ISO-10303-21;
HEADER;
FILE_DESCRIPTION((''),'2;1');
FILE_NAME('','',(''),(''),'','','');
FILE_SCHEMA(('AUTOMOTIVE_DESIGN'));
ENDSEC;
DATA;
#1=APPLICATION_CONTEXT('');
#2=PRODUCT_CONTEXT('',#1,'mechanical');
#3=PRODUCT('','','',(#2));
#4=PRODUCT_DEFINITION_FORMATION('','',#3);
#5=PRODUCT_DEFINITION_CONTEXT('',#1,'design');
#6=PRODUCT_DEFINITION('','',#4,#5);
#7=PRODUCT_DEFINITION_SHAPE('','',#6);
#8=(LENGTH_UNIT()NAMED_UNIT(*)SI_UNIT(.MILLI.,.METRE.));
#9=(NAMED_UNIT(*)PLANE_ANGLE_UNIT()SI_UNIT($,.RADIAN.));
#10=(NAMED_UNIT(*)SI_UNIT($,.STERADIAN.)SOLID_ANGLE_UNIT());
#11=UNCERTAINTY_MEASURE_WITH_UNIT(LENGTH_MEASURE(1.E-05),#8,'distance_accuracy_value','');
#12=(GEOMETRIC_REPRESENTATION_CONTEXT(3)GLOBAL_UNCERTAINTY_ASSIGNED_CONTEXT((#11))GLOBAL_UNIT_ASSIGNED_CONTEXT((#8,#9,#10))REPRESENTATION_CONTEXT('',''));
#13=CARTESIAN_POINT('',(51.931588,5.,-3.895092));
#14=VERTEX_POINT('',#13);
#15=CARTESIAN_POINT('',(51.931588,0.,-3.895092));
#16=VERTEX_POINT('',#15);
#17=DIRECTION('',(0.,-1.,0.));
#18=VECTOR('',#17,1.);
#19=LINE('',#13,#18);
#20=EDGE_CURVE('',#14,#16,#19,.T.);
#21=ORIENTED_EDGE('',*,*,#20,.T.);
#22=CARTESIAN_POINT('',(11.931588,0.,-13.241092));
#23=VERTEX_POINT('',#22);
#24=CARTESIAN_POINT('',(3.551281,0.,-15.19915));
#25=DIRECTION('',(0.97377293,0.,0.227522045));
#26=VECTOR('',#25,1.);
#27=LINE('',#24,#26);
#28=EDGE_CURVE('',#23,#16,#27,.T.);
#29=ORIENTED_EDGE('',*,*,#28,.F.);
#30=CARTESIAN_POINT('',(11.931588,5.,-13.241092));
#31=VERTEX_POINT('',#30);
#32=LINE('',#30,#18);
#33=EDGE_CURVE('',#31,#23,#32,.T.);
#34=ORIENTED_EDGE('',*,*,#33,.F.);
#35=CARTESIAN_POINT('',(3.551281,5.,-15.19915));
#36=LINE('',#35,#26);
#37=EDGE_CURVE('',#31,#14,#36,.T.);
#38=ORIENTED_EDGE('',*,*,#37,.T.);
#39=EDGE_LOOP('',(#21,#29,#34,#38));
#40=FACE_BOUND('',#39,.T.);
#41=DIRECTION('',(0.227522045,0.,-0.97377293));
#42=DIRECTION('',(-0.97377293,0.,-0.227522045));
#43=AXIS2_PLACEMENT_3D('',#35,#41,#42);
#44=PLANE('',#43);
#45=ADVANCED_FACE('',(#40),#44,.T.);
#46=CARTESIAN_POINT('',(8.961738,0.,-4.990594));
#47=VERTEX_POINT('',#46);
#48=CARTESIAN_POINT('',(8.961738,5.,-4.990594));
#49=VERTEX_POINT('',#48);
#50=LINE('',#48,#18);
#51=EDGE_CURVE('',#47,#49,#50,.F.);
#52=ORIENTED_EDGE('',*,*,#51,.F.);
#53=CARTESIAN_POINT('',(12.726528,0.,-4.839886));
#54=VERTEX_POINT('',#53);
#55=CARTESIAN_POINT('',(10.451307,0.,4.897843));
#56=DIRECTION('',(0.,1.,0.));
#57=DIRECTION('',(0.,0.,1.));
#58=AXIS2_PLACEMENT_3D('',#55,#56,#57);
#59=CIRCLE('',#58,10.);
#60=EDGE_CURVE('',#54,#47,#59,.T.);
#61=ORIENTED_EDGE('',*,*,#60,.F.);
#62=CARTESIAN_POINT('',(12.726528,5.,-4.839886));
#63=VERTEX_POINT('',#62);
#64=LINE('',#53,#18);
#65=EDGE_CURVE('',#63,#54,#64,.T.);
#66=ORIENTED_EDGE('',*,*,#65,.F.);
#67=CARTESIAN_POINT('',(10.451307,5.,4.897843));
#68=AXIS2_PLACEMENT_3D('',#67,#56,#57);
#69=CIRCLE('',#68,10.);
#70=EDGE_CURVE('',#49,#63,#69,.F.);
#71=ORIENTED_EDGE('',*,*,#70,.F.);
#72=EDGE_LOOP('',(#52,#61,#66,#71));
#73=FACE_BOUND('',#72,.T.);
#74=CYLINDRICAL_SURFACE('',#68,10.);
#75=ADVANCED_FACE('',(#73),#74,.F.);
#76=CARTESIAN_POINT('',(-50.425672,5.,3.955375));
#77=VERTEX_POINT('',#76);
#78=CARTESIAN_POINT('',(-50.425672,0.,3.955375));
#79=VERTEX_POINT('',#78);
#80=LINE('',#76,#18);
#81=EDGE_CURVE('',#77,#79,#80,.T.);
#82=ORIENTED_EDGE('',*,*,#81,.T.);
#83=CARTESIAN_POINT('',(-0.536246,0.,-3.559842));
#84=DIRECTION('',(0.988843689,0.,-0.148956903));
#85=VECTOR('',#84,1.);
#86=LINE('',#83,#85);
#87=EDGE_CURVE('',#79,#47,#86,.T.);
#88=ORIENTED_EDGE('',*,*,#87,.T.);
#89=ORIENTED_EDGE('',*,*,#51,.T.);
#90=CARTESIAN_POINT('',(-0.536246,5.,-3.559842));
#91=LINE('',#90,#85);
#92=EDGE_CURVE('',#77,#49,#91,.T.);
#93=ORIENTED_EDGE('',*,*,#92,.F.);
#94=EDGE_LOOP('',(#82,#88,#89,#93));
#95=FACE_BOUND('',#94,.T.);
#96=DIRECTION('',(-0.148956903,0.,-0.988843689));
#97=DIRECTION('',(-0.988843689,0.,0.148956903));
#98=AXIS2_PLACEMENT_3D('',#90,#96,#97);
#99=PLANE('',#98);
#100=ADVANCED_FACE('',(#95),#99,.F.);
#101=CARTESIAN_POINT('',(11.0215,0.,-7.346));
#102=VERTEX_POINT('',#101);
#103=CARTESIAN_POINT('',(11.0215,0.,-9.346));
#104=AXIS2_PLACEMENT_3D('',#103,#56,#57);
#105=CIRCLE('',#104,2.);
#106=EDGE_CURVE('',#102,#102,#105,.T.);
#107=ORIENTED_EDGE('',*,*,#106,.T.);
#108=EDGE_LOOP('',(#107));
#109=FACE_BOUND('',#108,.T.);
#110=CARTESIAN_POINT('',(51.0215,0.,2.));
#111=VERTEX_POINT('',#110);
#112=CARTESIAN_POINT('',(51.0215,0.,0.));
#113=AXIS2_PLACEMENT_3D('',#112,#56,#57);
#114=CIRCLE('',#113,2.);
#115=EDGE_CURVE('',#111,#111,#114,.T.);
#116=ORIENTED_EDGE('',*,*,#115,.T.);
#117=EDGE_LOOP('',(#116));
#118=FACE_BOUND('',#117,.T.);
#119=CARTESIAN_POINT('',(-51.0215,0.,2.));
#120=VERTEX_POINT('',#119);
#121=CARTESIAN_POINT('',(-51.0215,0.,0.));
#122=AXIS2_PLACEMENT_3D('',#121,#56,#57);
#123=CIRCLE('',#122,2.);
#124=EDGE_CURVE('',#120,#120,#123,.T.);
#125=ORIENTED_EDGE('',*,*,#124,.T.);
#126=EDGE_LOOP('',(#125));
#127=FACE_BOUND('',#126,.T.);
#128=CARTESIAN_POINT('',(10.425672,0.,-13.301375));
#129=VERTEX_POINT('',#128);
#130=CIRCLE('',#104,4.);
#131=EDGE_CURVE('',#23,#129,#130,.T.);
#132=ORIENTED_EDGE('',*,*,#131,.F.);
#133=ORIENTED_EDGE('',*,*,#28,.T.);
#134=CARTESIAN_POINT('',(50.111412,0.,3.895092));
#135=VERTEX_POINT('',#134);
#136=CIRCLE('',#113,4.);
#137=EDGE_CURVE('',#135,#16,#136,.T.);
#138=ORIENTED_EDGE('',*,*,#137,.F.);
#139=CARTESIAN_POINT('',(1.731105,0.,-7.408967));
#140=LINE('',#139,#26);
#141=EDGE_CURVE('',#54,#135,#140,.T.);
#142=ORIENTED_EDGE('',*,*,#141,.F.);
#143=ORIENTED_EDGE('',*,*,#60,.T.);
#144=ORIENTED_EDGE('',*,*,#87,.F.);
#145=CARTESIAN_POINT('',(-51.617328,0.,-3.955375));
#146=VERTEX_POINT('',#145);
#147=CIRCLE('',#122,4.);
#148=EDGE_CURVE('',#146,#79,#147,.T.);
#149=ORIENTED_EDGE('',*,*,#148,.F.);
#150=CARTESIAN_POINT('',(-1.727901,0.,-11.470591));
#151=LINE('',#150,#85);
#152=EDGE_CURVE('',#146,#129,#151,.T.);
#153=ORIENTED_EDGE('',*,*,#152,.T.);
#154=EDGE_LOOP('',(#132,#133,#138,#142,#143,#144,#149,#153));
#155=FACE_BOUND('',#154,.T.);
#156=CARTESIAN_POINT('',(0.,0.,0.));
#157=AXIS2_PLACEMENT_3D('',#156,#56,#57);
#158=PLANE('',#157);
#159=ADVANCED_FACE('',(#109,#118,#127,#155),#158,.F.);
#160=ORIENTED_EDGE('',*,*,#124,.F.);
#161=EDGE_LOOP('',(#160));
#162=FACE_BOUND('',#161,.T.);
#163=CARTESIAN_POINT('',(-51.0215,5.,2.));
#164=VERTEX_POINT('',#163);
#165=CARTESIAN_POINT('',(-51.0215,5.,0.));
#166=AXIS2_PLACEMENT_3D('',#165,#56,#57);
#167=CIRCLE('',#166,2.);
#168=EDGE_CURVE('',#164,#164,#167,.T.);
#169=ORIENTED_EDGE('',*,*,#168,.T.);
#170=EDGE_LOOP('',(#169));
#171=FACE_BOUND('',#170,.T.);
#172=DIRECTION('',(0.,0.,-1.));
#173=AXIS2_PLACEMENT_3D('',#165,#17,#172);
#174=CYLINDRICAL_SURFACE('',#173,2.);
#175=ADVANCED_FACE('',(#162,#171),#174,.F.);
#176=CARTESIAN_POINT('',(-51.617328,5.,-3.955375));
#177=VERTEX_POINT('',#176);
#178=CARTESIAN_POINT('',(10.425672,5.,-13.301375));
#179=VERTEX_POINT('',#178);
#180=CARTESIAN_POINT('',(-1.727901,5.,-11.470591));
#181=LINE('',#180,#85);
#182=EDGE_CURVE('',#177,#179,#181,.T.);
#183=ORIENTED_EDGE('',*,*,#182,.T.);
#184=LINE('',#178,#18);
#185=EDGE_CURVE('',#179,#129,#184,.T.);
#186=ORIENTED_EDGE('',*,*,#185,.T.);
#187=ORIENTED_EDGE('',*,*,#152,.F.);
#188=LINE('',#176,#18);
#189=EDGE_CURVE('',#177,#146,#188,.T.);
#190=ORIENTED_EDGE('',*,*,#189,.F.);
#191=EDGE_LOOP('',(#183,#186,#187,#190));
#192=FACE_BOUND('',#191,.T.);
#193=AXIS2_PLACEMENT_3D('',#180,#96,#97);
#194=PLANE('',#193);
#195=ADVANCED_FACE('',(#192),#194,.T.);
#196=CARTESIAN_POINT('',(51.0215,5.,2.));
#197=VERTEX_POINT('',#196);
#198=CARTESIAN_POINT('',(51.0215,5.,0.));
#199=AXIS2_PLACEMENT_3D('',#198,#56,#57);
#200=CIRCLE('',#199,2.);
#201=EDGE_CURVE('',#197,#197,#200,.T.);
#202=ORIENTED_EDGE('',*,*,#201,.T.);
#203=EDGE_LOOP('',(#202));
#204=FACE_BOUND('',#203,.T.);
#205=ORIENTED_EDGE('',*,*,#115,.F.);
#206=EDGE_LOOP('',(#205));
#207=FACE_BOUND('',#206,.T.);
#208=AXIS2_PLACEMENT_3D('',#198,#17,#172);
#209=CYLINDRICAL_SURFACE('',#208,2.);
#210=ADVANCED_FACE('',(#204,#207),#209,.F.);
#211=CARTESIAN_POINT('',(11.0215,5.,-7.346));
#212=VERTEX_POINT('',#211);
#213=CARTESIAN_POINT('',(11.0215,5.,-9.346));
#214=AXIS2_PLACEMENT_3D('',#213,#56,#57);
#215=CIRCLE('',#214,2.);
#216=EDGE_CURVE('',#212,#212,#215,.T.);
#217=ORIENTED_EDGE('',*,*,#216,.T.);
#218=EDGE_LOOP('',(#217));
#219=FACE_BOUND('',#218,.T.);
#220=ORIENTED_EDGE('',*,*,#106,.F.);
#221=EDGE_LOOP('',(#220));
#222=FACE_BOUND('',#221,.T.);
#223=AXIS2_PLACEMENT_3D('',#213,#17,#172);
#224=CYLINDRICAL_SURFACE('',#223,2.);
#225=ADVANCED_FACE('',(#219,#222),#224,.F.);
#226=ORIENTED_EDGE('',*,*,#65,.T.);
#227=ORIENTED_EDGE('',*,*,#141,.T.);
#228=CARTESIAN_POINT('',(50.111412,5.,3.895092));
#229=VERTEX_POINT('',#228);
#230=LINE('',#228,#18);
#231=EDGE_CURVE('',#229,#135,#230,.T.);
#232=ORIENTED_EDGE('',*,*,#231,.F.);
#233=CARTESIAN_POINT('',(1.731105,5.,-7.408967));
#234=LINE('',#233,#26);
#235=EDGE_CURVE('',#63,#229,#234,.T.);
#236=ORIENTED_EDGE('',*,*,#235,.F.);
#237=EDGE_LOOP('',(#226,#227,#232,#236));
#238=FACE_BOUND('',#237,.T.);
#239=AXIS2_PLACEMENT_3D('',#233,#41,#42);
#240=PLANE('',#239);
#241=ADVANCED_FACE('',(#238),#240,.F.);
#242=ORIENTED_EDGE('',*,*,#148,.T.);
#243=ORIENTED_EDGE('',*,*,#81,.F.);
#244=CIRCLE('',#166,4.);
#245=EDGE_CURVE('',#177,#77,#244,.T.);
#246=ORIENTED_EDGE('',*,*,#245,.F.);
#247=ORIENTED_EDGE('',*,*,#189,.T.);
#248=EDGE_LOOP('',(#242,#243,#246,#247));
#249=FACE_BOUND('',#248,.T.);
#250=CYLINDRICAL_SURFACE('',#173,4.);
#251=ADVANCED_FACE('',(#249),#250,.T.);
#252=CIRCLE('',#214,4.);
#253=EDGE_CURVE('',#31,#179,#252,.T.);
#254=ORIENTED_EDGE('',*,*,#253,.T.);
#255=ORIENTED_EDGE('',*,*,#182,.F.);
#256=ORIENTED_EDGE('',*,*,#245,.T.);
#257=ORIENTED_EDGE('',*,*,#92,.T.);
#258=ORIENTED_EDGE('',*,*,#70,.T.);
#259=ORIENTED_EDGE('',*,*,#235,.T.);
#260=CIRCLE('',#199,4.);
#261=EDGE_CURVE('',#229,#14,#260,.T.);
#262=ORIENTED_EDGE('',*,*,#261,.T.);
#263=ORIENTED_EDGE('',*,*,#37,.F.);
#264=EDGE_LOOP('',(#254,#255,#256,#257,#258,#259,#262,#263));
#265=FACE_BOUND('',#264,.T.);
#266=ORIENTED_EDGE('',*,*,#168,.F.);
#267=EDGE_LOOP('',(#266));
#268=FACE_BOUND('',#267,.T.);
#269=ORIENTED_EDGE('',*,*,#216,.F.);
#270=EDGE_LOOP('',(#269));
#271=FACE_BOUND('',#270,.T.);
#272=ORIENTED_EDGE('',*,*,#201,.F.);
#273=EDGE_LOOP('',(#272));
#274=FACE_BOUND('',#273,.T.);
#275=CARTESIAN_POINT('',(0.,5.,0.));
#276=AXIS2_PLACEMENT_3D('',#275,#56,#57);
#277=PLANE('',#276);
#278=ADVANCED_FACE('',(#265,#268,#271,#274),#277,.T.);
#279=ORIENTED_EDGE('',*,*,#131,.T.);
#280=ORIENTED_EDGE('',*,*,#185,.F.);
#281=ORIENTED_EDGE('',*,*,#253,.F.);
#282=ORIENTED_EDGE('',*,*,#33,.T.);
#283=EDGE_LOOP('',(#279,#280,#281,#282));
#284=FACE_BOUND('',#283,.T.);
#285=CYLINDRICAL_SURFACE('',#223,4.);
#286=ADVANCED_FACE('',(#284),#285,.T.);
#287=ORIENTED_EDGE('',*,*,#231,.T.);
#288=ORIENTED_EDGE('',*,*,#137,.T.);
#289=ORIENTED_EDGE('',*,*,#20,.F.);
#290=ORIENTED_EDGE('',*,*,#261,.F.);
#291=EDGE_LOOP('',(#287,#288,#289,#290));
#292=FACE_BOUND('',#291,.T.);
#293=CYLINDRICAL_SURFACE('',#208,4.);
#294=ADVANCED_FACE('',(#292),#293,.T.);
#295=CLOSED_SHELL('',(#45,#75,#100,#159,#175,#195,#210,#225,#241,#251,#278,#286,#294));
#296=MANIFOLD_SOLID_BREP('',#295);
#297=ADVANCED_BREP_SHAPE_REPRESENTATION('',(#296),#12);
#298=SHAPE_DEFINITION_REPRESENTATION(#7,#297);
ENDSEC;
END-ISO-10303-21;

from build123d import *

# Parameters (mm, degrees)
SKETCH_1_R      = 2
EXTRUDE_1_DEPTH = 5
FILLET_2_R      = 10


with BuildPart() as part:
    # 草图1 → 凸台-拉伸1 (new body)
    with BuildSketch(Plane(origin=(0, 0, 0), x_dir=(1, 0, 0), z_dir=(0, 1, 0))):
        with BuildLine():
            Line((10.425672389, 13.301374756), (-51.617327611, 3.955374756))
            ThreePointArc((-51.617327611, 3.955374756), (-54.976874756, -0.595827611), (-50.425672389, -3.955374756))
            Line((-50.425672389, -3.955374756), (10.858587818, 5.276330608))
            Line((10.858587818, 5.276330608), (50.11141182, -3.89509172))
            ThreePointArc((50.11141182, -3.89509172), (54.91659172, -0.91008818), (51.93158818, 3.89509172))
            Line((51.93158818, 3.89509172), (11.93158818, 13.24109172))
            ThreePointArc((11.93158818, 13.24109172), (11.181495117, 13.342798914), (10.425672389, 13.301374756))
        make_face()
        with Locations((-51.0215, 0)):
            Circle(SKETCH_1_R, mode=Mode.SUBTRACT)
        with Locations((11.0215, 9.346)):
            Circle(SKETCH_1_R, mode=Mode.SUBTRACT)
        with Locations((51.0215, 0)):
            Circle(SKETCH_1_R, mode=Mode.SUBTRACT)
    extrude(amount=EXTRUDE_1_DEPTH)

    # 圆角2
    fillet_2_edges = [part.edges().sort_by_distance(p)[0] for p in [
        (10.858587818, 2.5, -5.276330608),
    ]]
    fillet(fillet_2_edges, radius=FILLET_2_R)


solid = part.part
